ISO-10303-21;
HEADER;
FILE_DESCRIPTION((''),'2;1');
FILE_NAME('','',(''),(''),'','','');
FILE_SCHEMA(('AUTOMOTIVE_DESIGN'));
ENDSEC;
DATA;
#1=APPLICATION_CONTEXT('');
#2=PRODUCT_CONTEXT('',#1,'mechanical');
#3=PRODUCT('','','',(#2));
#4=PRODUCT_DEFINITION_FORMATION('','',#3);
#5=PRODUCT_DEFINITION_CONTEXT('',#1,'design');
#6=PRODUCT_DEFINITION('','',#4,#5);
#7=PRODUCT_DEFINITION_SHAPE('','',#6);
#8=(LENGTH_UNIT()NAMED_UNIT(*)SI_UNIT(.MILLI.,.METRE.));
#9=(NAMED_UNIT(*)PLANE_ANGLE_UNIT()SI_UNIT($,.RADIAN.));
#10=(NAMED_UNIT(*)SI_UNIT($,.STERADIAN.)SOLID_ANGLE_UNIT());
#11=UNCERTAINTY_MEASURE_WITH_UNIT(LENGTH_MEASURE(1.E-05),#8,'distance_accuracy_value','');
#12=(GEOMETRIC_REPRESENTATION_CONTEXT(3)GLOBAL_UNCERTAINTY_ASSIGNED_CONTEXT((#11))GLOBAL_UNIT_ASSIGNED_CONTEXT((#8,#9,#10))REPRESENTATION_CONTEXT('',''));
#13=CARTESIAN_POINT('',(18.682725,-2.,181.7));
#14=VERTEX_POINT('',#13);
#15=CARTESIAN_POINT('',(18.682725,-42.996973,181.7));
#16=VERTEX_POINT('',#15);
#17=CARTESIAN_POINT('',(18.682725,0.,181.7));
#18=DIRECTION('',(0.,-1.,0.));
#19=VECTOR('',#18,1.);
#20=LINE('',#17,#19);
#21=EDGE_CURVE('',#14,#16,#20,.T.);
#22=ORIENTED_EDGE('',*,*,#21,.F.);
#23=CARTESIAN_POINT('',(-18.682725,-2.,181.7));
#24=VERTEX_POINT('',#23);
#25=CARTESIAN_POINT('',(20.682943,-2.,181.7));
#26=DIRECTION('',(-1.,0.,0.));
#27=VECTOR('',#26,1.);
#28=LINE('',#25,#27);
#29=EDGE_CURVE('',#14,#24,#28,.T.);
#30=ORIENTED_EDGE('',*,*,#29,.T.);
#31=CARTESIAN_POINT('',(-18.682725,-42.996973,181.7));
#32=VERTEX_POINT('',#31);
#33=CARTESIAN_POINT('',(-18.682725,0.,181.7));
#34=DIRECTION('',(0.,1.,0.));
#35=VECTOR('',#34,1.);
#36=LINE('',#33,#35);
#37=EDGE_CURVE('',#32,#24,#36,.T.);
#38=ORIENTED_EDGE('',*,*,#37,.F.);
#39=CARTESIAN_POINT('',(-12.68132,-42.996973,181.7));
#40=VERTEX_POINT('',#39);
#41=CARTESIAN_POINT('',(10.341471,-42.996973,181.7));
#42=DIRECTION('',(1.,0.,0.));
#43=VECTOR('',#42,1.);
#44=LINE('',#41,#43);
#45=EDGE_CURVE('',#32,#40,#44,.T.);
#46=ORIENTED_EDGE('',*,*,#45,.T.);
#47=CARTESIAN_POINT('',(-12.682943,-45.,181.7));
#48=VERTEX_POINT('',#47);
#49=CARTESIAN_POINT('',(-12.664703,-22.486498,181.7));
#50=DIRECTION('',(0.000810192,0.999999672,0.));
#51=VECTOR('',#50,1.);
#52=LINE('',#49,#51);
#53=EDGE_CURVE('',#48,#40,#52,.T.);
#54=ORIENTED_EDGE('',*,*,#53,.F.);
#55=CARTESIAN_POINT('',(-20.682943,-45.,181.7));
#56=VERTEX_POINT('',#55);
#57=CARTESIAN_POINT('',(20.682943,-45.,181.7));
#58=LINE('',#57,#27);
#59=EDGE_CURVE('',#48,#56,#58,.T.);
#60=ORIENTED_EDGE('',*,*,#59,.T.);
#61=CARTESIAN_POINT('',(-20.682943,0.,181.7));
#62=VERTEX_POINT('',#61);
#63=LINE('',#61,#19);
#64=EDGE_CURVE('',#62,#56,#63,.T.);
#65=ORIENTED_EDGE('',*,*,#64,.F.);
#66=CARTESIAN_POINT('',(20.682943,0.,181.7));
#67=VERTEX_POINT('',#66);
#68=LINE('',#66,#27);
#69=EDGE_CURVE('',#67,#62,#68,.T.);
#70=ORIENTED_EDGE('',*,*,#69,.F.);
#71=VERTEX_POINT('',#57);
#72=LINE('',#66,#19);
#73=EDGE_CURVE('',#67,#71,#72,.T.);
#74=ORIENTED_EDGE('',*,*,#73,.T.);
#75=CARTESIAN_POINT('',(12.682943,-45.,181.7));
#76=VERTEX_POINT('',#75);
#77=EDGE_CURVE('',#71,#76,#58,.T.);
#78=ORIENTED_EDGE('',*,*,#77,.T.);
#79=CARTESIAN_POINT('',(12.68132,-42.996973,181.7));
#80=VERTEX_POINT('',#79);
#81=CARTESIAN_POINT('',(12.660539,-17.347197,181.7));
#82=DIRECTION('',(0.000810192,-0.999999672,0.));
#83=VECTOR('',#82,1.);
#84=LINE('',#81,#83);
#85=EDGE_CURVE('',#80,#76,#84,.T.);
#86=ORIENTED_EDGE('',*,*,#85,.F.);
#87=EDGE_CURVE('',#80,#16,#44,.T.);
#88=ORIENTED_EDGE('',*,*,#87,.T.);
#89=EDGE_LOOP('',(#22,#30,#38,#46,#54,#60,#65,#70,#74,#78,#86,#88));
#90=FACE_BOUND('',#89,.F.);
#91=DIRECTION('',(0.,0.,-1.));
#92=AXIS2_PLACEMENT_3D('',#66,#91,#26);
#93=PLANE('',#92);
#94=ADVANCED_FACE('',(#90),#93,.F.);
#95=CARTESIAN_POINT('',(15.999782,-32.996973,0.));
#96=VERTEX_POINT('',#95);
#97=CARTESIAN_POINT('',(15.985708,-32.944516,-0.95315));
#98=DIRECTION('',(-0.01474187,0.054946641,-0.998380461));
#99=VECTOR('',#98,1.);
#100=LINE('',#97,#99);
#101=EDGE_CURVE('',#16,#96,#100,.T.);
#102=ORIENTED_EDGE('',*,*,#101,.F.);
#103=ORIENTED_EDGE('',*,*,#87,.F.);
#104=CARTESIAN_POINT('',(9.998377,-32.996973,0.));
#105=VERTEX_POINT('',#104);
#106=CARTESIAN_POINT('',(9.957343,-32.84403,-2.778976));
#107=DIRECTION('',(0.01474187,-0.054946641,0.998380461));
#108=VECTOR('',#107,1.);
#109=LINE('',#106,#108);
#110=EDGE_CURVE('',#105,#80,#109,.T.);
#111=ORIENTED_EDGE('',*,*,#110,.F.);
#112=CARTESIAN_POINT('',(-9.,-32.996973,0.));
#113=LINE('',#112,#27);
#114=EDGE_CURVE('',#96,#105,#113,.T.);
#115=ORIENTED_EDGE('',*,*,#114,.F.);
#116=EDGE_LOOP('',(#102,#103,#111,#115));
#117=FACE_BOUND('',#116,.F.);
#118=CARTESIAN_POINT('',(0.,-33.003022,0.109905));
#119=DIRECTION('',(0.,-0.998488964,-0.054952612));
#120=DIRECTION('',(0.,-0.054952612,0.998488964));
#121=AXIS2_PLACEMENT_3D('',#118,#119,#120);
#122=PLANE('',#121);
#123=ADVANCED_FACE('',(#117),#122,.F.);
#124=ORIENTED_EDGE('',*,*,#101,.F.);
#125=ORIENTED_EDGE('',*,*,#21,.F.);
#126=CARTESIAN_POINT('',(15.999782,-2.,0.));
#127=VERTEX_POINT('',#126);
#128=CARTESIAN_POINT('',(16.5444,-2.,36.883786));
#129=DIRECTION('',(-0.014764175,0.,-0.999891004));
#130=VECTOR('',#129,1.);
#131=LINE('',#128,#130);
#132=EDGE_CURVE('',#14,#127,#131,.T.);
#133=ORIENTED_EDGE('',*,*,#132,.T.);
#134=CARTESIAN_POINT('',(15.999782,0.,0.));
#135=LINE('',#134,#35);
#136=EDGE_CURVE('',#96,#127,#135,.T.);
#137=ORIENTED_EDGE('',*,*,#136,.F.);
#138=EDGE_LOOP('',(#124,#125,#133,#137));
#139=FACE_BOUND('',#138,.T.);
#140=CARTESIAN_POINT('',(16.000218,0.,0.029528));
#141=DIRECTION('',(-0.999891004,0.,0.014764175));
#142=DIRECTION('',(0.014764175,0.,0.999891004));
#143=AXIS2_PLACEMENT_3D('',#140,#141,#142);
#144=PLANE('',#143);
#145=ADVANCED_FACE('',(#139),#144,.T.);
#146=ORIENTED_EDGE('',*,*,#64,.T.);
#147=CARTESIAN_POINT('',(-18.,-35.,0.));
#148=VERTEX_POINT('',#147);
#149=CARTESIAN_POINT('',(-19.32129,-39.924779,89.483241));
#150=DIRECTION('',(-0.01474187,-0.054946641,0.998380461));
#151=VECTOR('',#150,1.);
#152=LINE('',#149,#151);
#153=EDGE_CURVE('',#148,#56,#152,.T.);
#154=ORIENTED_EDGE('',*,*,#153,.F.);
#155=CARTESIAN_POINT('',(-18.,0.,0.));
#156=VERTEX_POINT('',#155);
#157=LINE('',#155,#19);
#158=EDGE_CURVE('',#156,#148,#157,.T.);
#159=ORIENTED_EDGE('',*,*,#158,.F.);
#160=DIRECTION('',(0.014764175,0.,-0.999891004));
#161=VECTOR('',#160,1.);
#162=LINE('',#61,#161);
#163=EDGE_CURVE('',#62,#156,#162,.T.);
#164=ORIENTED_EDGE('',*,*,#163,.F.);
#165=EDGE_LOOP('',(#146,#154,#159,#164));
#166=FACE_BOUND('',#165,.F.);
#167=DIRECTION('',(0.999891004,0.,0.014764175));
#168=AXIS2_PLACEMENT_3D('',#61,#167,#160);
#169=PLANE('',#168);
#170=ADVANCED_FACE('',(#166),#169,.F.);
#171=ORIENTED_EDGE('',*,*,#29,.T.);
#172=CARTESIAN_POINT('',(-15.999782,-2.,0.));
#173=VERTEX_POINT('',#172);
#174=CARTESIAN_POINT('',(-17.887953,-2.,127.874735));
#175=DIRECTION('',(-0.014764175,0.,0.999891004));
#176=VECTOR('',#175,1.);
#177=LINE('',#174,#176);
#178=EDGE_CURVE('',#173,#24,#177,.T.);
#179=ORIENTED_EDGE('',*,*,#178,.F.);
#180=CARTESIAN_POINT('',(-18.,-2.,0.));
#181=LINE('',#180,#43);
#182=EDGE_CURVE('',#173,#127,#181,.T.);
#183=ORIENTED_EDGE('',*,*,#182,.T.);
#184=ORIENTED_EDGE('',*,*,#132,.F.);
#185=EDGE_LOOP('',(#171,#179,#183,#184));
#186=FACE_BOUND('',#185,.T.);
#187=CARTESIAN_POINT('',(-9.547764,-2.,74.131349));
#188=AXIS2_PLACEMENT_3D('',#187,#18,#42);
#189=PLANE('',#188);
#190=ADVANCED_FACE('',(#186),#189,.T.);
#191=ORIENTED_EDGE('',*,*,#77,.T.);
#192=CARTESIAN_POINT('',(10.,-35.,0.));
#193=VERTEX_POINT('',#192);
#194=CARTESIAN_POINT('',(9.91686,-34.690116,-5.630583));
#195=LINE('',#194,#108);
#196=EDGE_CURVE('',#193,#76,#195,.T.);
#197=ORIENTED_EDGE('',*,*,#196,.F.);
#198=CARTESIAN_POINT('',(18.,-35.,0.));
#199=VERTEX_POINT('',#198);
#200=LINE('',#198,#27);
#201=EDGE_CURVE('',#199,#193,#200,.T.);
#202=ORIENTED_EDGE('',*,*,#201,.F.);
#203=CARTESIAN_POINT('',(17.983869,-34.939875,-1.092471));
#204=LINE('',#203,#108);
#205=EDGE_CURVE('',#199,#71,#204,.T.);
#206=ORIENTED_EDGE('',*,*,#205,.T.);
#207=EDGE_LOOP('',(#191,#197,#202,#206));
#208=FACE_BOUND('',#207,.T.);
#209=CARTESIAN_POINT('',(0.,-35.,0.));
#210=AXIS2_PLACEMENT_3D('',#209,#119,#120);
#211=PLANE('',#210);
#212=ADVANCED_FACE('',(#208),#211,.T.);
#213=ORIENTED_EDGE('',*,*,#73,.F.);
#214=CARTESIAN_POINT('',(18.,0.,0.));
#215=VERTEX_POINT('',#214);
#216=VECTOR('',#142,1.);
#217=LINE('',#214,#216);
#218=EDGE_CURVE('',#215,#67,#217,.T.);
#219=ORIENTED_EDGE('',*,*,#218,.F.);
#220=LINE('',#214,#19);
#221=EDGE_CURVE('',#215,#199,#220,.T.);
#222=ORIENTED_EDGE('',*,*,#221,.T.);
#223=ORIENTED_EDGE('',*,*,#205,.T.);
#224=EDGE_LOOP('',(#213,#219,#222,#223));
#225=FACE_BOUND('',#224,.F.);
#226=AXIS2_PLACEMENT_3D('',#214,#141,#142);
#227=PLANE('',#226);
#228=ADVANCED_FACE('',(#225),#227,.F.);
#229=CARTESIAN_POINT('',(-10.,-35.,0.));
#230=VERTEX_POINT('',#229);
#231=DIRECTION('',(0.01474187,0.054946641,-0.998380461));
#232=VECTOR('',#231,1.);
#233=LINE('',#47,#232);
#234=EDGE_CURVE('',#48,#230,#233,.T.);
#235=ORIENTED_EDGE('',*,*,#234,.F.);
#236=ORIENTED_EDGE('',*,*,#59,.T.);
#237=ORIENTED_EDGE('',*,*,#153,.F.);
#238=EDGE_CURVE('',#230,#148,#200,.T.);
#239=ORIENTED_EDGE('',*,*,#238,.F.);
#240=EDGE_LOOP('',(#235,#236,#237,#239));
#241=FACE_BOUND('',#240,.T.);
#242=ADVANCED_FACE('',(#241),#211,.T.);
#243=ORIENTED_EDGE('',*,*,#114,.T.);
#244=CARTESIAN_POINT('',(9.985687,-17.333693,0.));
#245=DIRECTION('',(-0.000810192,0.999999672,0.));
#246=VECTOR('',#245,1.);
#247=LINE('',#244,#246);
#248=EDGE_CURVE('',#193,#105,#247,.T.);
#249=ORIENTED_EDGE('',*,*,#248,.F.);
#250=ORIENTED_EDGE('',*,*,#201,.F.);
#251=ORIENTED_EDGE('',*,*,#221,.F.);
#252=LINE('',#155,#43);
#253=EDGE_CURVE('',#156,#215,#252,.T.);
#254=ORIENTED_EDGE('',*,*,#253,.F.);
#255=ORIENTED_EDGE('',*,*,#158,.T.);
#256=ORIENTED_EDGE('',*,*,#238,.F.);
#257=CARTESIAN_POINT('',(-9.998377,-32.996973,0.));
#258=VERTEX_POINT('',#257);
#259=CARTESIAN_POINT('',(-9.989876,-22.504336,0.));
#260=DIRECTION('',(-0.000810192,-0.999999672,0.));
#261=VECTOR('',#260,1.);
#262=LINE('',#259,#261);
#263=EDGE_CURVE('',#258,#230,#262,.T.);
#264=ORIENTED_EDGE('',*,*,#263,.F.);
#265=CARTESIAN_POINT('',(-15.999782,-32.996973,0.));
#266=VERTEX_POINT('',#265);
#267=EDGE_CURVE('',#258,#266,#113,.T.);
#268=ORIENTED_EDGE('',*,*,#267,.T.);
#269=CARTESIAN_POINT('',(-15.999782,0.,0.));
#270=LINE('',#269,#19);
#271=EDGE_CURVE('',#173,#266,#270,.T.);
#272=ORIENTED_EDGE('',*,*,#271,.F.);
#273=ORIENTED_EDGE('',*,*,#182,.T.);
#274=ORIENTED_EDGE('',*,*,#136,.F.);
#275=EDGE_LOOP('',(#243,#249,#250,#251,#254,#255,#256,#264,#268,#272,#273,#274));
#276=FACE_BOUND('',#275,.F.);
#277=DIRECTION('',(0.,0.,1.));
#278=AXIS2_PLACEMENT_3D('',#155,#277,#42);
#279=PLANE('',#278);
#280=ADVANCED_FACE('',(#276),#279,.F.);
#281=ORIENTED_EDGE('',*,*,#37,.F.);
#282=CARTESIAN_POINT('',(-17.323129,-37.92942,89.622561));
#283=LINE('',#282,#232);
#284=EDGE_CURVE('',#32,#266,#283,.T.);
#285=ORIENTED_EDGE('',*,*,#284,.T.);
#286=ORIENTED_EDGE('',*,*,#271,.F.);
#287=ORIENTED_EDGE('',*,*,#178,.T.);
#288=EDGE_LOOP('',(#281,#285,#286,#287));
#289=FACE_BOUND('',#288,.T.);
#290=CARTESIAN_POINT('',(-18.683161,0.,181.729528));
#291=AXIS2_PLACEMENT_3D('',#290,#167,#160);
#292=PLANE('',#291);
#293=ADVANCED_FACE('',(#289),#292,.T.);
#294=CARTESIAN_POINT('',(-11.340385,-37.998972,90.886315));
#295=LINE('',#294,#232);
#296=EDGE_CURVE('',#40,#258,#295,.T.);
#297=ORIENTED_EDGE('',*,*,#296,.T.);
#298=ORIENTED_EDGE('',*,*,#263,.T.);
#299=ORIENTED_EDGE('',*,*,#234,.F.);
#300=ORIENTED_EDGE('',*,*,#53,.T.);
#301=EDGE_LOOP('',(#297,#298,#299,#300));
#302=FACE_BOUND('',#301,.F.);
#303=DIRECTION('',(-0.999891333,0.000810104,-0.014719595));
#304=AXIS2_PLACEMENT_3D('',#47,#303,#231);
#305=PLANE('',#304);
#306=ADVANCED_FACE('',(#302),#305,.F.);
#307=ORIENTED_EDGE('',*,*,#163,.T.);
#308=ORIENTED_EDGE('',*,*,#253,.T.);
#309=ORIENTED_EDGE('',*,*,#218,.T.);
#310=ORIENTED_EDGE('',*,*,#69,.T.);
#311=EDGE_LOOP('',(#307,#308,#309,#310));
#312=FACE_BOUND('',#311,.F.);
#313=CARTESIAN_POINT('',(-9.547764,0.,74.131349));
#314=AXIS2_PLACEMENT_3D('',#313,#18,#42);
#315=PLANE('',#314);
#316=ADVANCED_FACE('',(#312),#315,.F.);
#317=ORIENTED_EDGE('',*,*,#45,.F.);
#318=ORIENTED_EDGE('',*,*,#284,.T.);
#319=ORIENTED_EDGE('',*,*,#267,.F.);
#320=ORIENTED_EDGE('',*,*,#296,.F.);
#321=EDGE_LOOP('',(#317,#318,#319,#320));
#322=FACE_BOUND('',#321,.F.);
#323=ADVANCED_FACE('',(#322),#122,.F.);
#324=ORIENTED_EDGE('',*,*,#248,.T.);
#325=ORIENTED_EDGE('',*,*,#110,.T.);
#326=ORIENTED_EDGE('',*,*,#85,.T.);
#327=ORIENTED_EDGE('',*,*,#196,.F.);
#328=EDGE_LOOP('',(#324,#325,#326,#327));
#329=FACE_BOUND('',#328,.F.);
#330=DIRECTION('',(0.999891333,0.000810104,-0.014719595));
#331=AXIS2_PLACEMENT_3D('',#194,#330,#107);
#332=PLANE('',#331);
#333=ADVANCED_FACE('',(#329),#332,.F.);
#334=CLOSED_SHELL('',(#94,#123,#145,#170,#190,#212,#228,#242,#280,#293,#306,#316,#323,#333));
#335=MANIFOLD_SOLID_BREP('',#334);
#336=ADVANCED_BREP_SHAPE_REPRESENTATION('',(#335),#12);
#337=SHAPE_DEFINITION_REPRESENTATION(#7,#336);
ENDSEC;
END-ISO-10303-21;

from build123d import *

# Parameters (mm, degrees)
F1_DEPTH      = 50
F3_DEPTH      = 20.6839429735
F3_DEPTH_BACK = 20.6839429735
F4_T          = -2
F6_DEPTH      = 25


with BuildPart() as f1:
    # F0 (on Front) → F1 (new body)
    with BuildSketch(Plane.XZ):
        Polygon((-20.175, 147.3), (-18, 0), (0, 0), (0, 147.3), align=None)
        Polygon((0, 147.3), (0, 0), (18, 0), (20.175, 147.3), align=None)
        Polygon((0, 181.7), (0, 147.3), (20.175, 147.3), (20.6829429735, 181.7), align=None)
        Polygon((-20.6829429735, 181.7), (-20.175, 147.3), (0, 147.3), (0, 181.7), align=None)
    extrude(amount=F1_DEPTH)

    # F2 (on Right) → F3 (cut, two sides)
    with BuildSketch(Plane.YZ) as f3_sk:
        Polygon((-45, 181.7), (-50, 181.7), (-50, 0), (-35, 0), align=None)
    extrude(amount=-F3_DEPTH, mode=Mode.SUBTRACT)
    extrude(f3_sk.sketch, amount=F3_DEPTH_BACK, mode=Mode.SUBTRACT)

    # F4
    f4_openings = [f1.faces().sort_by_distance(p)[0] for p in [
        (0, -22.5, 181.7),
        (0, -17.5, 0),
    ]]
    offset(amount=F4_T, openings=f4_openings)

    # F5 (on face) → F6 (cut)
    with BuildSketch(Plane(origin=(0, -34.8943073645, -1.9204351879), x_dir=(1, 0, 0), z_dir=(0, -0.9984889636, -0.0549526122))):
        Polygon((12.6829429735, 183.8983122333), (-12.6829429735, 183.8983122333), (-10, 1.9233414268), (10, 1.9233414268), align=None)
        Polygon((10, 1.9233414268), (-10, 1.9233414268), (-9.9168600221, -3.7157627956), (9.9168600221, -3.7157627956), align=None)
    extrude(amount=-F6_DEPTH, mode=Mode.SUBTRACT)


solid = f1.part
